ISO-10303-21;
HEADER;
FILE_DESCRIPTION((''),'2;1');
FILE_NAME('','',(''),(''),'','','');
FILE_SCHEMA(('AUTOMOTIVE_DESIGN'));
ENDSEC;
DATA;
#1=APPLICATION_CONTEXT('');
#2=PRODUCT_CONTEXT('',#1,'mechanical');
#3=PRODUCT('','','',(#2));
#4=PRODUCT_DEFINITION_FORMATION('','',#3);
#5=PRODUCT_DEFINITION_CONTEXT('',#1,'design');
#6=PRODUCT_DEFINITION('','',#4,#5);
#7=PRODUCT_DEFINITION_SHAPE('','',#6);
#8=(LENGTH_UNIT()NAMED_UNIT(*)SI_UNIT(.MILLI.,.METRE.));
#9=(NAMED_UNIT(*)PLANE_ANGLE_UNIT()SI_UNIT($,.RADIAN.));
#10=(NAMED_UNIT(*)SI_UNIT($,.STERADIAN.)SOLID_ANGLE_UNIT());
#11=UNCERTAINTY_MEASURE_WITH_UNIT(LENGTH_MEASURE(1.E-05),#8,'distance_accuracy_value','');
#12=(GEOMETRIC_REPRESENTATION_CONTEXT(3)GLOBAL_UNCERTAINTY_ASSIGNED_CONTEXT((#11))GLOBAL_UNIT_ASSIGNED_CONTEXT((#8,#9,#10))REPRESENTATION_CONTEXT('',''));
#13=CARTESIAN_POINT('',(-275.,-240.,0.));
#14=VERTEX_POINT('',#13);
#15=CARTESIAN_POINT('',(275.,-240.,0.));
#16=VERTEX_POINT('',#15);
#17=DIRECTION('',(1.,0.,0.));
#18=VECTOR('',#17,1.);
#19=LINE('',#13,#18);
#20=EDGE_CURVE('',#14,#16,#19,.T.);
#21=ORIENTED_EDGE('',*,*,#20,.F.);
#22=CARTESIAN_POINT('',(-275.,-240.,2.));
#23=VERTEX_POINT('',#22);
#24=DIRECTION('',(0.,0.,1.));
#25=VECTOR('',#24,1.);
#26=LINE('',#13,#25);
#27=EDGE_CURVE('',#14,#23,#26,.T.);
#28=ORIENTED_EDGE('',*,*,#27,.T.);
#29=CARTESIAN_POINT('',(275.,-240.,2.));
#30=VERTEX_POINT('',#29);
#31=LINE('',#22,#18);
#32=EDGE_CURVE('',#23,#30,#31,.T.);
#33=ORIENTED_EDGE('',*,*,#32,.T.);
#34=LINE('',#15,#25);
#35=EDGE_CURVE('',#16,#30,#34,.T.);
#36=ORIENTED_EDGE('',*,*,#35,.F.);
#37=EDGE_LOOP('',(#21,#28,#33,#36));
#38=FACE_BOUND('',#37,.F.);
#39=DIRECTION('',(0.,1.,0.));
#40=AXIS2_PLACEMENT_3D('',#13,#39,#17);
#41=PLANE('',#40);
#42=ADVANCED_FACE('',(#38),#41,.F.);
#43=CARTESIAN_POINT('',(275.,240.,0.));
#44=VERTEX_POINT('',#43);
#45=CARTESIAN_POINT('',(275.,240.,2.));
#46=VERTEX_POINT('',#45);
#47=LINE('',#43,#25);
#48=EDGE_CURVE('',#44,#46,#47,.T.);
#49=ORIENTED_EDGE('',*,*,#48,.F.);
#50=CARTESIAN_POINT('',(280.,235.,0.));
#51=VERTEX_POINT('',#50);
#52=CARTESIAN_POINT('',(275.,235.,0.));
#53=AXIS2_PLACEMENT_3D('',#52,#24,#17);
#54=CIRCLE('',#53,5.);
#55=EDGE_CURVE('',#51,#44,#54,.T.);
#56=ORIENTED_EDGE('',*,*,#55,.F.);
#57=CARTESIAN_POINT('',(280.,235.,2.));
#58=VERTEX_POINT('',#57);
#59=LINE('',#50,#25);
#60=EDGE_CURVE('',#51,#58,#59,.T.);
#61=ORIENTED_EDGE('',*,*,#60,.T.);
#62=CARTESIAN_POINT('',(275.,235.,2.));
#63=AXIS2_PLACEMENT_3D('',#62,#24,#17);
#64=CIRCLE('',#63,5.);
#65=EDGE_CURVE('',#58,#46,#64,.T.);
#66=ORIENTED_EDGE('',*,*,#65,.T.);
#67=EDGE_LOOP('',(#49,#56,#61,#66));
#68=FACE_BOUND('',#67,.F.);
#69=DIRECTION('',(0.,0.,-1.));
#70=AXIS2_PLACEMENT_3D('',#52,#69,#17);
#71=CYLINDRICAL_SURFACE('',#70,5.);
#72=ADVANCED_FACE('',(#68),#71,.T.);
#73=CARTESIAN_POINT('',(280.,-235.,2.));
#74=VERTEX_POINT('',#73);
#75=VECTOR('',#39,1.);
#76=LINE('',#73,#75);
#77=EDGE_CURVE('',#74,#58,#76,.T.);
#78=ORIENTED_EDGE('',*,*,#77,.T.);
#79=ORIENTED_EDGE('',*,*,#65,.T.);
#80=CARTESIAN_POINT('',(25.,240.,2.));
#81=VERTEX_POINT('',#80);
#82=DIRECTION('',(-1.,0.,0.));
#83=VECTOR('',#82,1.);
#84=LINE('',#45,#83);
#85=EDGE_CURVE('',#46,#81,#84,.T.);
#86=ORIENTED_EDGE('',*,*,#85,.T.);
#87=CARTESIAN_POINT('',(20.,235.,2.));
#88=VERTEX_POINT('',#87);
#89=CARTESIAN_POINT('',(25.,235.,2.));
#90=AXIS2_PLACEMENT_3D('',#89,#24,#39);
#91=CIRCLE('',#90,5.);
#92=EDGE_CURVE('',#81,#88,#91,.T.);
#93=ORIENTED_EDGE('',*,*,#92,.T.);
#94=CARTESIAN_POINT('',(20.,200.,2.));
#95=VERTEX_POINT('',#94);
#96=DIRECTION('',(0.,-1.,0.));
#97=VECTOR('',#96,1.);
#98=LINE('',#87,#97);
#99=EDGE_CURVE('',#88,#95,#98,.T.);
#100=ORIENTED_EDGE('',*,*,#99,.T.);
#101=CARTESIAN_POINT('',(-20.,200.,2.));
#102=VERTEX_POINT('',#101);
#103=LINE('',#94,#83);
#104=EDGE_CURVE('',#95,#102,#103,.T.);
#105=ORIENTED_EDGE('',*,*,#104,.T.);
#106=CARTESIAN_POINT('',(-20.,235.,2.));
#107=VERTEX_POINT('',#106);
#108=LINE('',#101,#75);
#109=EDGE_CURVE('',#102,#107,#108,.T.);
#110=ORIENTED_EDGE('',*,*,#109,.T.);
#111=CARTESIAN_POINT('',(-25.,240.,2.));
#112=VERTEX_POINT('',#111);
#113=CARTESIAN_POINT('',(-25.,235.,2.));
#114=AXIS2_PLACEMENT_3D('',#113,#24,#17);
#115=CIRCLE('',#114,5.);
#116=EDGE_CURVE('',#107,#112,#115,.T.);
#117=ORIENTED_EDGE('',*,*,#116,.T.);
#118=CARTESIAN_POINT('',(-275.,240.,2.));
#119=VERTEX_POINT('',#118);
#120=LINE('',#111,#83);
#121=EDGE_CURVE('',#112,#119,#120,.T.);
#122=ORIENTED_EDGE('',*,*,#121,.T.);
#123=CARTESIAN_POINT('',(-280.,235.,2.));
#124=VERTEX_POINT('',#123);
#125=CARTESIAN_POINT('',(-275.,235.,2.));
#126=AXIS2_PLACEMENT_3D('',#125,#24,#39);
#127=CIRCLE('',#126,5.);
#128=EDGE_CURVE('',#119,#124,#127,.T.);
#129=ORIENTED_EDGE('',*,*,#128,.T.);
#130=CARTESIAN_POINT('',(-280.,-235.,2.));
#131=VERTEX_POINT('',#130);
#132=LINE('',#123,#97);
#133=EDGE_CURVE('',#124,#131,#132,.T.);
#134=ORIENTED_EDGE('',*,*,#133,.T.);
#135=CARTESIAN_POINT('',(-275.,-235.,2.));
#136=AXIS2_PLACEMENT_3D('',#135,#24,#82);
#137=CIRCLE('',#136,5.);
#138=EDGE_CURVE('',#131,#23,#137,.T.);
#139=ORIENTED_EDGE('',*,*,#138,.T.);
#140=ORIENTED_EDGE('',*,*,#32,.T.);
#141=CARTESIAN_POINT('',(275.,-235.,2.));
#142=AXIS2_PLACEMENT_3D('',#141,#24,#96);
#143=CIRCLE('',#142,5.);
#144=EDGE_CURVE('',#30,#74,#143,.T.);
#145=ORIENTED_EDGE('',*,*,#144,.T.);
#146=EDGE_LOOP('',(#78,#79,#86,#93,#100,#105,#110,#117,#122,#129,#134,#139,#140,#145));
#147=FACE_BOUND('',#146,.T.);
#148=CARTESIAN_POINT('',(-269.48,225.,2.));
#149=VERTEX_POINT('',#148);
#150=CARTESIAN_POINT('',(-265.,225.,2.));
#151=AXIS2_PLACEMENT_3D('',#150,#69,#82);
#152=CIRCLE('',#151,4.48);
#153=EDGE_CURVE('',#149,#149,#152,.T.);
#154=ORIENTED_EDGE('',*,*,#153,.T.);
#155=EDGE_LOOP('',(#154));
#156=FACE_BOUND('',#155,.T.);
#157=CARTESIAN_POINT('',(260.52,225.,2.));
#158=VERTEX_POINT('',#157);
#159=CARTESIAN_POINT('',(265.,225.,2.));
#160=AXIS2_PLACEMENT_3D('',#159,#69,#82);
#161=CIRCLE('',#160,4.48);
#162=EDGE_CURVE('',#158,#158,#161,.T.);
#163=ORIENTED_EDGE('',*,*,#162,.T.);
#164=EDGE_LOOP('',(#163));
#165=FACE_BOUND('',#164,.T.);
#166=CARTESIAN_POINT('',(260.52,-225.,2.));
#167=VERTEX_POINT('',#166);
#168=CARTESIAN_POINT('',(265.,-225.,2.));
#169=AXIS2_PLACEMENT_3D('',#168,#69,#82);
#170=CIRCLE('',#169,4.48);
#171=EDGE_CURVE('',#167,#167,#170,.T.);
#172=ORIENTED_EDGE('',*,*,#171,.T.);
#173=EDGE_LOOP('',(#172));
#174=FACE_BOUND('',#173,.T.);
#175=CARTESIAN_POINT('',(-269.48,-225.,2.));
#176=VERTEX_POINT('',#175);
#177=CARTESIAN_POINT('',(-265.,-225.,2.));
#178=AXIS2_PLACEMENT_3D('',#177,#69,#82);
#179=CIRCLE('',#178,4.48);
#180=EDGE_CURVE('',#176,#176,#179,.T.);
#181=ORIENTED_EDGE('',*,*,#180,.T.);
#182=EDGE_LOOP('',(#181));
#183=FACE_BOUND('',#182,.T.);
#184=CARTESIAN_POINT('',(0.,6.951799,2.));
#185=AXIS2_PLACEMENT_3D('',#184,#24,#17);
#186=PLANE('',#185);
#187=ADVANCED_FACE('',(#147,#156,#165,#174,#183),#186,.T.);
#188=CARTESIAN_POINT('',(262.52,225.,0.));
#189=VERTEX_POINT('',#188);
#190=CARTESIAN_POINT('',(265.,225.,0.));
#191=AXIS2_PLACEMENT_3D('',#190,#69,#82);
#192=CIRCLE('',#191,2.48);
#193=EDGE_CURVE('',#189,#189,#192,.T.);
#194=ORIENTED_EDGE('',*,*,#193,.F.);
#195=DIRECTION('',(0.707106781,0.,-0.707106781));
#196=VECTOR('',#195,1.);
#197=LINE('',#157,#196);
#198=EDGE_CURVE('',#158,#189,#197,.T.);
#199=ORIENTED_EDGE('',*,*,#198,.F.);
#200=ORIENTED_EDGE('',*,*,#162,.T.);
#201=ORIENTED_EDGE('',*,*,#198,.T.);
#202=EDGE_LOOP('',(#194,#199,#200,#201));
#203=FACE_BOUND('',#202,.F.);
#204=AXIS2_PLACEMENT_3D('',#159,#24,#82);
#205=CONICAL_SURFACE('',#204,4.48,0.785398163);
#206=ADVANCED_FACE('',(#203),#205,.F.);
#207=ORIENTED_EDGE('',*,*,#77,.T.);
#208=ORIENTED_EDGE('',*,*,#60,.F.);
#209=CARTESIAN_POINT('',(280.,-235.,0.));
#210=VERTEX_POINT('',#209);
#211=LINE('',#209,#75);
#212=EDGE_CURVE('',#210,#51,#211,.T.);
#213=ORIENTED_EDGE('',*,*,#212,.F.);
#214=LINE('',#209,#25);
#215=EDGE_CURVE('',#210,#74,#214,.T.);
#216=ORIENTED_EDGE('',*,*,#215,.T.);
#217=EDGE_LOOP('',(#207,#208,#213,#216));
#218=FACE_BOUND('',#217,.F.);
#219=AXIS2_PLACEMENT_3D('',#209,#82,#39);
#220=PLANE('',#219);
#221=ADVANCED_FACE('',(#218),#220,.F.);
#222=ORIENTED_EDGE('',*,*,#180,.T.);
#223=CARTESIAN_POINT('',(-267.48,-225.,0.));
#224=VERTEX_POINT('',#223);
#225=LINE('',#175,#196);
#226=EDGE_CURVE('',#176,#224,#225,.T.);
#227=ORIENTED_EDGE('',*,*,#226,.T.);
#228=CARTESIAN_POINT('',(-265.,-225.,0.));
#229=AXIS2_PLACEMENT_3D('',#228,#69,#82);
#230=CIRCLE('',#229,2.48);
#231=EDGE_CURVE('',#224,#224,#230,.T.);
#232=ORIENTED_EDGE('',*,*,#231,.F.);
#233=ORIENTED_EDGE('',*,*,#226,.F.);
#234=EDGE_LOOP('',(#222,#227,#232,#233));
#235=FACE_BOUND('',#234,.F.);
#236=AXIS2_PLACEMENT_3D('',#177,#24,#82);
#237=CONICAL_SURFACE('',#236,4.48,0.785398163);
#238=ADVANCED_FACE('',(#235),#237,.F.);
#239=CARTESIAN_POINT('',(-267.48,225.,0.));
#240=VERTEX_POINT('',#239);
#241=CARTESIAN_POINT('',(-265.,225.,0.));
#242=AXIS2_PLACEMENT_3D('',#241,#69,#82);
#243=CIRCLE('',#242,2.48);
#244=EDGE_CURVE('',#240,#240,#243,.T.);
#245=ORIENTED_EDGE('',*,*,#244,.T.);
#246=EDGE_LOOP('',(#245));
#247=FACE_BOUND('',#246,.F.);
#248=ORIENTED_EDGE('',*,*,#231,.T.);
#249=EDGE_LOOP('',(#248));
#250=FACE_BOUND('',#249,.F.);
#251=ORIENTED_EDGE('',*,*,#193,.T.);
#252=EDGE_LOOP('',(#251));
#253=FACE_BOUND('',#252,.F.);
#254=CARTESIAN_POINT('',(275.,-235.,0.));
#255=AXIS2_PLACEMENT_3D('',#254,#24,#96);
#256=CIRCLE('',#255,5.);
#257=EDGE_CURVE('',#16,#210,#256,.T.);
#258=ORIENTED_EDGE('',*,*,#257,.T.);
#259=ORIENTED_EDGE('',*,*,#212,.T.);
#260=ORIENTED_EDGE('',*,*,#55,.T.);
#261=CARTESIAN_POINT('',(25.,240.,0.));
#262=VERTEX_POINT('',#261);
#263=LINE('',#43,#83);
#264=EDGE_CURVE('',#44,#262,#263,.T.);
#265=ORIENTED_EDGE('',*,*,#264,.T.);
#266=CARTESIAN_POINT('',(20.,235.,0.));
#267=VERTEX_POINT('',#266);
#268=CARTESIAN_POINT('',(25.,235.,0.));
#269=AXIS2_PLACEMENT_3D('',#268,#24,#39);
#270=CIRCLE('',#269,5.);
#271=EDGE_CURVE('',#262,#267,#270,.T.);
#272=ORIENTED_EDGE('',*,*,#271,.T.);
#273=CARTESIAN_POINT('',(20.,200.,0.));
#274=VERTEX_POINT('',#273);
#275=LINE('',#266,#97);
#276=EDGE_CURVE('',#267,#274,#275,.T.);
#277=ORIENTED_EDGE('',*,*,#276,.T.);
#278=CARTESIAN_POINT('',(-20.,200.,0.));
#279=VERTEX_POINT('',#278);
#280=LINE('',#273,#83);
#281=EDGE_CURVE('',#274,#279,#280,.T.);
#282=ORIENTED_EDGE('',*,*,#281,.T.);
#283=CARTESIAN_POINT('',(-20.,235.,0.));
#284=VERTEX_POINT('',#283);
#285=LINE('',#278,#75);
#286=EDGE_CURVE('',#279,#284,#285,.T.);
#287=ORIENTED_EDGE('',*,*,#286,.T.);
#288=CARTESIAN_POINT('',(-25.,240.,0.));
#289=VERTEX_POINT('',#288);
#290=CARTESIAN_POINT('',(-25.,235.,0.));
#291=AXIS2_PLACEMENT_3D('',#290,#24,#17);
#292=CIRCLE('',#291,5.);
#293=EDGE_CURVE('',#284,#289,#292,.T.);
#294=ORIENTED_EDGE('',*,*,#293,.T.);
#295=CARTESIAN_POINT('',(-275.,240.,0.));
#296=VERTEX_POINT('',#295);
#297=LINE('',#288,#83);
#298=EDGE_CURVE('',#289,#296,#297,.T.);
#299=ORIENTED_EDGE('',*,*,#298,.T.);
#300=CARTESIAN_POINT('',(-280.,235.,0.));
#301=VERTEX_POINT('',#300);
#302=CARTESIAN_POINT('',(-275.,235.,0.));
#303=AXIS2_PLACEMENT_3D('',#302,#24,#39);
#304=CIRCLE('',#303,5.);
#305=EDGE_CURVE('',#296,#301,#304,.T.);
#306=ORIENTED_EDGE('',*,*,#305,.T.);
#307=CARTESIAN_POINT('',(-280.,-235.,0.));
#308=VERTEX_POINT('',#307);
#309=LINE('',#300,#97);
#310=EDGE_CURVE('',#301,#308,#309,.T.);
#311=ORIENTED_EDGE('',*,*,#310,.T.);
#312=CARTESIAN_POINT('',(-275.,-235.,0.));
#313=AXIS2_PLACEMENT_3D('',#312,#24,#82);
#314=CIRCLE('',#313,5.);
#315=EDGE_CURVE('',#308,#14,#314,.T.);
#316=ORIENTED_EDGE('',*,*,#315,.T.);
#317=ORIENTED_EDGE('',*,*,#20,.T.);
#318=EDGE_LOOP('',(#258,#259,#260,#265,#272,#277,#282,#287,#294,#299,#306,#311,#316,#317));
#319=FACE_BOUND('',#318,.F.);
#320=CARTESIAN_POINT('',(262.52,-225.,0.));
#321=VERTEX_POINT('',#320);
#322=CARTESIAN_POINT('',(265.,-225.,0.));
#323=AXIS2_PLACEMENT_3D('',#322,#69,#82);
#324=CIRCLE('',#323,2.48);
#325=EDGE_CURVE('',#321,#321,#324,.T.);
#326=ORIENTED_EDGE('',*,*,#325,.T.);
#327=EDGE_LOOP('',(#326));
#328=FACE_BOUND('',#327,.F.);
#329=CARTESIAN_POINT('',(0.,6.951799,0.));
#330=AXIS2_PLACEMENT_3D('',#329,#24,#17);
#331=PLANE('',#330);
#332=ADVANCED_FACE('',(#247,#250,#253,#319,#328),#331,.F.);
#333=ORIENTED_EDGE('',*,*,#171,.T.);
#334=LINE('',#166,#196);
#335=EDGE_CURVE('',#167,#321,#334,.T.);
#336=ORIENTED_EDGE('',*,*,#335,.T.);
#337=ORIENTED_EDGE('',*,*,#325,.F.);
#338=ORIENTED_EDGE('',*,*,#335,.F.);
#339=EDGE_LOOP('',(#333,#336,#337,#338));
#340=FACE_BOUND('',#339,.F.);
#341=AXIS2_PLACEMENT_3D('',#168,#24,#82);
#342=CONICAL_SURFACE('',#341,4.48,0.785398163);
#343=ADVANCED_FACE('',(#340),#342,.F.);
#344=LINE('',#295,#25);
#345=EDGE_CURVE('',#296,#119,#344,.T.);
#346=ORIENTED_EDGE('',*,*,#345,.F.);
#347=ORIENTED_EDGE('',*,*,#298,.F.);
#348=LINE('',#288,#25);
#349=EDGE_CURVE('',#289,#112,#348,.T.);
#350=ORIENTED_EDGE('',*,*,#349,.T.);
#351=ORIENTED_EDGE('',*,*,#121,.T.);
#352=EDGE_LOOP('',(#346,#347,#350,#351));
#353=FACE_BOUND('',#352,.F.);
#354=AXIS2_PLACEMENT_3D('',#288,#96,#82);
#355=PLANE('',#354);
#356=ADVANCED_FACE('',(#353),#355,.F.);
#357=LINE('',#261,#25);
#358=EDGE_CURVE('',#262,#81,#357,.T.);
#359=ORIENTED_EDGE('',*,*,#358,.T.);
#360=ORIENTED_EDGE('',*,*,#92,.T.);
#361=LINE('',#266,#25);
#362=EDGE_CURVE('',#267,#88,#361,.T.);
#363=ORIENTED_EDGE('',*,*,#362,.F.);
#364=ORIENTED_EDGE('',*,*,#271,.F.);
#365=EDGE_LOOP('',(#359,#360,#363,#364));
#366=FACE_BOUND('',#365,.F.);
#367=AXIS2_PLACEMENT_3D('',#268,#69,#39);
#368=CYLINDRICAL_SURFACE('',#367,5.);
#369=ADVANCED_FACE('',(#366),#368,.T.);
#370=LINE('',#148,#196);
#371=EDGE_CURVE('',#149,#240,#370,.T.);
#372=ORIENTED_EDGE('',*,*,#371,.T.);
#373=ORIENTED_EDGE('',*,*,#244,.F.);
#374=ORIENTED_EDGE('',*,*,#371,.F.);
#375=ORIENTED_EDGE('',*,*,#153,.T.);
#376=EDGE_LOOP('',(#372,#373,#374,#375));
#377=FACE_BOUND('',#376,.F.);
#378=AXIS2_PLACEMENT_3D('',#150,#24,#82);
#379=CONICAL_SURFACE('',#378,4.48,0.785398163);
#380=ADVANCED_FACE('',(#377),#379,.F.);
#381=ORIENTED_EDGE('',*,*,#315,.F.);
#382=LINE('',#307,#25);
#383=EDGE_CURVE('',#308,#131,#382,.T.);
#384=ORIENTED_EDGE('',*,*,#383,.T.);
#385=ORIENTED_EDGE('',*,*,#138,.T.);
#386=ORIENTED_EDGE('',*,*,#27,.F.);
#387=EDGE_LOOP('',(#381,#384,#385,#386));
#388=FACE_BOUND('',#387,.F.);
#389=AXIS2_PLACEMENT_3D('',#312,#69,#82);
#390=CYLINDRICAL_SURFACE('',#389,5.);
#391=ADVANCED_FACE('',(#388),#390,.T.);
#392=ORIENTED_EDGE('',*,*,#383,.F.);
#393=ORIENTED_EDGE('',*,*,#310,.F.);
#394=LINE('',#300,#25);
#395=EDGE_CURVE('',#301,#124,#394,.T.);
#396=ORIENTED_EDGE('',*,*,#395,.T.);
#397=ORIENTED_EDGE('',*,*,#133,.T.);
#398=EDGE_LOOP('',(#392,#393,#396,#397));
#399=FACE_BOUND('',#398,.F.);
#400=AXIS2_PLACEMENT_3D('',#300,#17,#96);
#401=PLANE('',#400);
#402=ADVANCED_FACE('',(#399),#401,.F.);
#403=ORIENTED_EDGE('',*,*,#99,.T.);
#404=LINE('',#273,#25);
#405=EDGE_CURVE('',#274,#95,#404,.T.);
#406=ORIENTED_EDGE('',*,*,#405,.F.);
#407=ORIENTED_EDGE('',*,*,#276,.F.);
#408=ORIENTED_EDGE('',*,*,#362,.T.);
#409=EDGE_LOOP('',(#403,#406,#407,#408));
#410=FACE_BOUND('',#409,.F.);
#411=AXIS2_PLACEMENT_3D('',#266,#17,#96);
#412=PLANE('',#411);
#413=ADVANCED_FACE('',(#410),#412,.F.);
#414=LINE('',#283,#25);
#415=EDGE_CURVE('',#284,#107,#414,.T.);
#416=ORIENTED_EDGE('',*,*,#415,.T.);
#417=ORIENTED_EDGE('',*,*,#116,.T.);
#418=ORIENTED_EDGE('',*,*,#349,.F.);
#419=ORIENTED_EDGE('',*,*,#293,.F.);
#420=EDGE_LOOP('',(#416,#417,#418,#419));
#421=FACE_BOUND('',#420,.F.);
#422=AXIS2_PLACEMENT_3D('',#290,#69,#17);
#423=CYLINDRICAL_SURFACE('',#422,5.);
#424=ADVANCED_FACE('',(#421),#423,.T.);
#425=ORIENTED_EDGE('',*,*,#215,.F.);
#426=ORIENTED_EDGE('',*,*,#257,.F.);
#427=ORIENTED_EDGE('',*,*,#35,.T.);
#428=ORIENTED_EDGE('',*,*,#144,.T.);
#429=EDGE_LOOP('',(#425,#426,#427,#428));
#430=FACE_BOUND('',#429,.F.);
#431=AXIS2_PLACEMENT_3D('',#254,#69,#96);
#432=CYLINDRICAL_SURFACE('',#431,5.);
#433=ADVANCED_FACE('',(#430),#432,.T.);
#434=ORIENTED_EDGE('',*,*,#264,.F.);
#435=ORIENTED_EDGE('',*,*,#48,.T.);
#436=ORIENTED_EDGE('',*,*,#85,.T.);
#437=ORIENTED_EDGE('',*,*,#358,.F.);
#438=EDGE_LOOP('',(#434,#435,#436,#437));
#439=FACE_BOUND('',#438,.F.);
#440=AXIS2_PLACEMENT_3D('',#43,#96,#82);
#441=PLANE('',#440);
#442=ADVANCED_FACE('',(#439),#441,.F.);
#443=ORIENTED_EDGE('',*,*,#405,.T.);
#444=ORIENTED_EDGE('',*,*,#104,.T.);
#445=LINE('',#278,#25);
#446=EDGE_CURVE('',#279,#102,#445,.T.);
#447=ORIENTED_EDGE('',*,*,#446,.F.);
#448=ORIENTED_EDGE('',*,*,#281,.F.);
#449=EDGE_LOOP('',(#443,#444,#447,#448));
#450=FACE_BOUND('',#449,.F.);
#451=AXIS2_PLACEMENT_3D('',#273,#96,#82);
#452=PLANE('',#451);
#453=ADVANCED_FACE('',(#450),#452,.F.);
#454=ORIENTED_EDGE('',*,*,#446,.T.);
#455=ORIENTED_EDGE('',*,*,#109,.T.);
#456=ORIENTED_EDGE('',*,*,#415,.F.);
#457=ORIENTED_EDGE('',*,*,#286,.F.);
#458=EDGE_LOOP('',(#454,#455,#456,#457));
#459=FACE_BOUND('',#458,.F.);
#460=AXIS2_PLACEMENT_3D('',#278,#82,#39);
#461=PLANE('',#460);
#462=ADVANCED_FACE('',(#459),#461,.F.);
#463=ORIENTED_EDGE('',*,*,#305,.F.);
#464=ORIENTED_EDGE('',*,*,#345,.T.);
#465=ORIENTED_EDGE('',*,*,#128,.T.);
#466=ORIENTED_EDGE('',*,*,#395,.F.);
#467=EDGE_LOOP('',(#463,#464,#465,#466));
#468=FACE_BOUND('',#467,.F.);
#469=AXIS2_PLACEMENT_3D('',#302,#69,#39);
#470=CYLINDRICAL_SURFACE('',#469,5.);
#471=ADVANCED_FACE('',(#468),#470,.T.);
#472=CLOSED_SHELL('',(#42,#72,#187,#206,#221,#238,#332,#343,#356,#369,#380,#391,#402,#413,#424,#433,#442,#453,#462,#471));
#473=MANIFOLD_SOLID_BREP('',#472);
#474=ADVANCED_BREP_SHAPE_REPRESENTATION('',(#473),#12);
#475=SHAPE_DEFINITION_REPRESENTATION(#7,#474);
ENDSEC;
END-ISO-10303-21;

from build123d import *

# Parameters (mm, degrees)
F1_DEPTH       = 2
F3_D           = 4.4
F3_CSINK_D     = 8.96
F3_CSINK_ANGLE = 90


with BuildPart() as f1:
    # F0 (on Top) → F1 (new body)
    with BuildSketch(Plane.XY):
        with BuildLine():
            Line((-275, -240), (275, -240))
            ThreePointArc((275, -240), (278.5355339059, -238.5355339059), (280, -235))
            Line((280, -235), (280, 235))
            ThreePointArc((280, 235), (278.5355339059, 238.5355339059), (275, 240))
            Line((275, 240), (25, 240))
            ThreePointArc((25, 240), (21.4644660941, 238.5355339059), (20, 235))
            Line((20, 235), (20, 200))
            Line((20, 200), (-20, 200))
            Line((-20, 200), (-20, 235))
            ThreePointArc((-20, 235), (-21.4644660941, 238.5355339059), (-25, 240))
            Line((-25, 240), (-275, 240))
            ThreePointArc((-275, 240), (-278.5355339059, 238.5355339059), (-280, 235))
            Line((-280, 235), (-280, -235))
            ThreePointArc((-280, -235), (-278.5355339059, -238.5355339059), (-275, -240))
        make_face()
    extrude(amount=F1_DEPTH)

    # F3 (through all)
    with Locations(Plane.XY.offset(2)):
        with Locations((-265, -225), (-265, 225), (265, 225), (265, -225)):
            CounterSinkHole(F3_D / 2, F3_CSINK_D / 2, counter_sink_angle=F3_CSINK_ANGLE)


solid = f1.part
